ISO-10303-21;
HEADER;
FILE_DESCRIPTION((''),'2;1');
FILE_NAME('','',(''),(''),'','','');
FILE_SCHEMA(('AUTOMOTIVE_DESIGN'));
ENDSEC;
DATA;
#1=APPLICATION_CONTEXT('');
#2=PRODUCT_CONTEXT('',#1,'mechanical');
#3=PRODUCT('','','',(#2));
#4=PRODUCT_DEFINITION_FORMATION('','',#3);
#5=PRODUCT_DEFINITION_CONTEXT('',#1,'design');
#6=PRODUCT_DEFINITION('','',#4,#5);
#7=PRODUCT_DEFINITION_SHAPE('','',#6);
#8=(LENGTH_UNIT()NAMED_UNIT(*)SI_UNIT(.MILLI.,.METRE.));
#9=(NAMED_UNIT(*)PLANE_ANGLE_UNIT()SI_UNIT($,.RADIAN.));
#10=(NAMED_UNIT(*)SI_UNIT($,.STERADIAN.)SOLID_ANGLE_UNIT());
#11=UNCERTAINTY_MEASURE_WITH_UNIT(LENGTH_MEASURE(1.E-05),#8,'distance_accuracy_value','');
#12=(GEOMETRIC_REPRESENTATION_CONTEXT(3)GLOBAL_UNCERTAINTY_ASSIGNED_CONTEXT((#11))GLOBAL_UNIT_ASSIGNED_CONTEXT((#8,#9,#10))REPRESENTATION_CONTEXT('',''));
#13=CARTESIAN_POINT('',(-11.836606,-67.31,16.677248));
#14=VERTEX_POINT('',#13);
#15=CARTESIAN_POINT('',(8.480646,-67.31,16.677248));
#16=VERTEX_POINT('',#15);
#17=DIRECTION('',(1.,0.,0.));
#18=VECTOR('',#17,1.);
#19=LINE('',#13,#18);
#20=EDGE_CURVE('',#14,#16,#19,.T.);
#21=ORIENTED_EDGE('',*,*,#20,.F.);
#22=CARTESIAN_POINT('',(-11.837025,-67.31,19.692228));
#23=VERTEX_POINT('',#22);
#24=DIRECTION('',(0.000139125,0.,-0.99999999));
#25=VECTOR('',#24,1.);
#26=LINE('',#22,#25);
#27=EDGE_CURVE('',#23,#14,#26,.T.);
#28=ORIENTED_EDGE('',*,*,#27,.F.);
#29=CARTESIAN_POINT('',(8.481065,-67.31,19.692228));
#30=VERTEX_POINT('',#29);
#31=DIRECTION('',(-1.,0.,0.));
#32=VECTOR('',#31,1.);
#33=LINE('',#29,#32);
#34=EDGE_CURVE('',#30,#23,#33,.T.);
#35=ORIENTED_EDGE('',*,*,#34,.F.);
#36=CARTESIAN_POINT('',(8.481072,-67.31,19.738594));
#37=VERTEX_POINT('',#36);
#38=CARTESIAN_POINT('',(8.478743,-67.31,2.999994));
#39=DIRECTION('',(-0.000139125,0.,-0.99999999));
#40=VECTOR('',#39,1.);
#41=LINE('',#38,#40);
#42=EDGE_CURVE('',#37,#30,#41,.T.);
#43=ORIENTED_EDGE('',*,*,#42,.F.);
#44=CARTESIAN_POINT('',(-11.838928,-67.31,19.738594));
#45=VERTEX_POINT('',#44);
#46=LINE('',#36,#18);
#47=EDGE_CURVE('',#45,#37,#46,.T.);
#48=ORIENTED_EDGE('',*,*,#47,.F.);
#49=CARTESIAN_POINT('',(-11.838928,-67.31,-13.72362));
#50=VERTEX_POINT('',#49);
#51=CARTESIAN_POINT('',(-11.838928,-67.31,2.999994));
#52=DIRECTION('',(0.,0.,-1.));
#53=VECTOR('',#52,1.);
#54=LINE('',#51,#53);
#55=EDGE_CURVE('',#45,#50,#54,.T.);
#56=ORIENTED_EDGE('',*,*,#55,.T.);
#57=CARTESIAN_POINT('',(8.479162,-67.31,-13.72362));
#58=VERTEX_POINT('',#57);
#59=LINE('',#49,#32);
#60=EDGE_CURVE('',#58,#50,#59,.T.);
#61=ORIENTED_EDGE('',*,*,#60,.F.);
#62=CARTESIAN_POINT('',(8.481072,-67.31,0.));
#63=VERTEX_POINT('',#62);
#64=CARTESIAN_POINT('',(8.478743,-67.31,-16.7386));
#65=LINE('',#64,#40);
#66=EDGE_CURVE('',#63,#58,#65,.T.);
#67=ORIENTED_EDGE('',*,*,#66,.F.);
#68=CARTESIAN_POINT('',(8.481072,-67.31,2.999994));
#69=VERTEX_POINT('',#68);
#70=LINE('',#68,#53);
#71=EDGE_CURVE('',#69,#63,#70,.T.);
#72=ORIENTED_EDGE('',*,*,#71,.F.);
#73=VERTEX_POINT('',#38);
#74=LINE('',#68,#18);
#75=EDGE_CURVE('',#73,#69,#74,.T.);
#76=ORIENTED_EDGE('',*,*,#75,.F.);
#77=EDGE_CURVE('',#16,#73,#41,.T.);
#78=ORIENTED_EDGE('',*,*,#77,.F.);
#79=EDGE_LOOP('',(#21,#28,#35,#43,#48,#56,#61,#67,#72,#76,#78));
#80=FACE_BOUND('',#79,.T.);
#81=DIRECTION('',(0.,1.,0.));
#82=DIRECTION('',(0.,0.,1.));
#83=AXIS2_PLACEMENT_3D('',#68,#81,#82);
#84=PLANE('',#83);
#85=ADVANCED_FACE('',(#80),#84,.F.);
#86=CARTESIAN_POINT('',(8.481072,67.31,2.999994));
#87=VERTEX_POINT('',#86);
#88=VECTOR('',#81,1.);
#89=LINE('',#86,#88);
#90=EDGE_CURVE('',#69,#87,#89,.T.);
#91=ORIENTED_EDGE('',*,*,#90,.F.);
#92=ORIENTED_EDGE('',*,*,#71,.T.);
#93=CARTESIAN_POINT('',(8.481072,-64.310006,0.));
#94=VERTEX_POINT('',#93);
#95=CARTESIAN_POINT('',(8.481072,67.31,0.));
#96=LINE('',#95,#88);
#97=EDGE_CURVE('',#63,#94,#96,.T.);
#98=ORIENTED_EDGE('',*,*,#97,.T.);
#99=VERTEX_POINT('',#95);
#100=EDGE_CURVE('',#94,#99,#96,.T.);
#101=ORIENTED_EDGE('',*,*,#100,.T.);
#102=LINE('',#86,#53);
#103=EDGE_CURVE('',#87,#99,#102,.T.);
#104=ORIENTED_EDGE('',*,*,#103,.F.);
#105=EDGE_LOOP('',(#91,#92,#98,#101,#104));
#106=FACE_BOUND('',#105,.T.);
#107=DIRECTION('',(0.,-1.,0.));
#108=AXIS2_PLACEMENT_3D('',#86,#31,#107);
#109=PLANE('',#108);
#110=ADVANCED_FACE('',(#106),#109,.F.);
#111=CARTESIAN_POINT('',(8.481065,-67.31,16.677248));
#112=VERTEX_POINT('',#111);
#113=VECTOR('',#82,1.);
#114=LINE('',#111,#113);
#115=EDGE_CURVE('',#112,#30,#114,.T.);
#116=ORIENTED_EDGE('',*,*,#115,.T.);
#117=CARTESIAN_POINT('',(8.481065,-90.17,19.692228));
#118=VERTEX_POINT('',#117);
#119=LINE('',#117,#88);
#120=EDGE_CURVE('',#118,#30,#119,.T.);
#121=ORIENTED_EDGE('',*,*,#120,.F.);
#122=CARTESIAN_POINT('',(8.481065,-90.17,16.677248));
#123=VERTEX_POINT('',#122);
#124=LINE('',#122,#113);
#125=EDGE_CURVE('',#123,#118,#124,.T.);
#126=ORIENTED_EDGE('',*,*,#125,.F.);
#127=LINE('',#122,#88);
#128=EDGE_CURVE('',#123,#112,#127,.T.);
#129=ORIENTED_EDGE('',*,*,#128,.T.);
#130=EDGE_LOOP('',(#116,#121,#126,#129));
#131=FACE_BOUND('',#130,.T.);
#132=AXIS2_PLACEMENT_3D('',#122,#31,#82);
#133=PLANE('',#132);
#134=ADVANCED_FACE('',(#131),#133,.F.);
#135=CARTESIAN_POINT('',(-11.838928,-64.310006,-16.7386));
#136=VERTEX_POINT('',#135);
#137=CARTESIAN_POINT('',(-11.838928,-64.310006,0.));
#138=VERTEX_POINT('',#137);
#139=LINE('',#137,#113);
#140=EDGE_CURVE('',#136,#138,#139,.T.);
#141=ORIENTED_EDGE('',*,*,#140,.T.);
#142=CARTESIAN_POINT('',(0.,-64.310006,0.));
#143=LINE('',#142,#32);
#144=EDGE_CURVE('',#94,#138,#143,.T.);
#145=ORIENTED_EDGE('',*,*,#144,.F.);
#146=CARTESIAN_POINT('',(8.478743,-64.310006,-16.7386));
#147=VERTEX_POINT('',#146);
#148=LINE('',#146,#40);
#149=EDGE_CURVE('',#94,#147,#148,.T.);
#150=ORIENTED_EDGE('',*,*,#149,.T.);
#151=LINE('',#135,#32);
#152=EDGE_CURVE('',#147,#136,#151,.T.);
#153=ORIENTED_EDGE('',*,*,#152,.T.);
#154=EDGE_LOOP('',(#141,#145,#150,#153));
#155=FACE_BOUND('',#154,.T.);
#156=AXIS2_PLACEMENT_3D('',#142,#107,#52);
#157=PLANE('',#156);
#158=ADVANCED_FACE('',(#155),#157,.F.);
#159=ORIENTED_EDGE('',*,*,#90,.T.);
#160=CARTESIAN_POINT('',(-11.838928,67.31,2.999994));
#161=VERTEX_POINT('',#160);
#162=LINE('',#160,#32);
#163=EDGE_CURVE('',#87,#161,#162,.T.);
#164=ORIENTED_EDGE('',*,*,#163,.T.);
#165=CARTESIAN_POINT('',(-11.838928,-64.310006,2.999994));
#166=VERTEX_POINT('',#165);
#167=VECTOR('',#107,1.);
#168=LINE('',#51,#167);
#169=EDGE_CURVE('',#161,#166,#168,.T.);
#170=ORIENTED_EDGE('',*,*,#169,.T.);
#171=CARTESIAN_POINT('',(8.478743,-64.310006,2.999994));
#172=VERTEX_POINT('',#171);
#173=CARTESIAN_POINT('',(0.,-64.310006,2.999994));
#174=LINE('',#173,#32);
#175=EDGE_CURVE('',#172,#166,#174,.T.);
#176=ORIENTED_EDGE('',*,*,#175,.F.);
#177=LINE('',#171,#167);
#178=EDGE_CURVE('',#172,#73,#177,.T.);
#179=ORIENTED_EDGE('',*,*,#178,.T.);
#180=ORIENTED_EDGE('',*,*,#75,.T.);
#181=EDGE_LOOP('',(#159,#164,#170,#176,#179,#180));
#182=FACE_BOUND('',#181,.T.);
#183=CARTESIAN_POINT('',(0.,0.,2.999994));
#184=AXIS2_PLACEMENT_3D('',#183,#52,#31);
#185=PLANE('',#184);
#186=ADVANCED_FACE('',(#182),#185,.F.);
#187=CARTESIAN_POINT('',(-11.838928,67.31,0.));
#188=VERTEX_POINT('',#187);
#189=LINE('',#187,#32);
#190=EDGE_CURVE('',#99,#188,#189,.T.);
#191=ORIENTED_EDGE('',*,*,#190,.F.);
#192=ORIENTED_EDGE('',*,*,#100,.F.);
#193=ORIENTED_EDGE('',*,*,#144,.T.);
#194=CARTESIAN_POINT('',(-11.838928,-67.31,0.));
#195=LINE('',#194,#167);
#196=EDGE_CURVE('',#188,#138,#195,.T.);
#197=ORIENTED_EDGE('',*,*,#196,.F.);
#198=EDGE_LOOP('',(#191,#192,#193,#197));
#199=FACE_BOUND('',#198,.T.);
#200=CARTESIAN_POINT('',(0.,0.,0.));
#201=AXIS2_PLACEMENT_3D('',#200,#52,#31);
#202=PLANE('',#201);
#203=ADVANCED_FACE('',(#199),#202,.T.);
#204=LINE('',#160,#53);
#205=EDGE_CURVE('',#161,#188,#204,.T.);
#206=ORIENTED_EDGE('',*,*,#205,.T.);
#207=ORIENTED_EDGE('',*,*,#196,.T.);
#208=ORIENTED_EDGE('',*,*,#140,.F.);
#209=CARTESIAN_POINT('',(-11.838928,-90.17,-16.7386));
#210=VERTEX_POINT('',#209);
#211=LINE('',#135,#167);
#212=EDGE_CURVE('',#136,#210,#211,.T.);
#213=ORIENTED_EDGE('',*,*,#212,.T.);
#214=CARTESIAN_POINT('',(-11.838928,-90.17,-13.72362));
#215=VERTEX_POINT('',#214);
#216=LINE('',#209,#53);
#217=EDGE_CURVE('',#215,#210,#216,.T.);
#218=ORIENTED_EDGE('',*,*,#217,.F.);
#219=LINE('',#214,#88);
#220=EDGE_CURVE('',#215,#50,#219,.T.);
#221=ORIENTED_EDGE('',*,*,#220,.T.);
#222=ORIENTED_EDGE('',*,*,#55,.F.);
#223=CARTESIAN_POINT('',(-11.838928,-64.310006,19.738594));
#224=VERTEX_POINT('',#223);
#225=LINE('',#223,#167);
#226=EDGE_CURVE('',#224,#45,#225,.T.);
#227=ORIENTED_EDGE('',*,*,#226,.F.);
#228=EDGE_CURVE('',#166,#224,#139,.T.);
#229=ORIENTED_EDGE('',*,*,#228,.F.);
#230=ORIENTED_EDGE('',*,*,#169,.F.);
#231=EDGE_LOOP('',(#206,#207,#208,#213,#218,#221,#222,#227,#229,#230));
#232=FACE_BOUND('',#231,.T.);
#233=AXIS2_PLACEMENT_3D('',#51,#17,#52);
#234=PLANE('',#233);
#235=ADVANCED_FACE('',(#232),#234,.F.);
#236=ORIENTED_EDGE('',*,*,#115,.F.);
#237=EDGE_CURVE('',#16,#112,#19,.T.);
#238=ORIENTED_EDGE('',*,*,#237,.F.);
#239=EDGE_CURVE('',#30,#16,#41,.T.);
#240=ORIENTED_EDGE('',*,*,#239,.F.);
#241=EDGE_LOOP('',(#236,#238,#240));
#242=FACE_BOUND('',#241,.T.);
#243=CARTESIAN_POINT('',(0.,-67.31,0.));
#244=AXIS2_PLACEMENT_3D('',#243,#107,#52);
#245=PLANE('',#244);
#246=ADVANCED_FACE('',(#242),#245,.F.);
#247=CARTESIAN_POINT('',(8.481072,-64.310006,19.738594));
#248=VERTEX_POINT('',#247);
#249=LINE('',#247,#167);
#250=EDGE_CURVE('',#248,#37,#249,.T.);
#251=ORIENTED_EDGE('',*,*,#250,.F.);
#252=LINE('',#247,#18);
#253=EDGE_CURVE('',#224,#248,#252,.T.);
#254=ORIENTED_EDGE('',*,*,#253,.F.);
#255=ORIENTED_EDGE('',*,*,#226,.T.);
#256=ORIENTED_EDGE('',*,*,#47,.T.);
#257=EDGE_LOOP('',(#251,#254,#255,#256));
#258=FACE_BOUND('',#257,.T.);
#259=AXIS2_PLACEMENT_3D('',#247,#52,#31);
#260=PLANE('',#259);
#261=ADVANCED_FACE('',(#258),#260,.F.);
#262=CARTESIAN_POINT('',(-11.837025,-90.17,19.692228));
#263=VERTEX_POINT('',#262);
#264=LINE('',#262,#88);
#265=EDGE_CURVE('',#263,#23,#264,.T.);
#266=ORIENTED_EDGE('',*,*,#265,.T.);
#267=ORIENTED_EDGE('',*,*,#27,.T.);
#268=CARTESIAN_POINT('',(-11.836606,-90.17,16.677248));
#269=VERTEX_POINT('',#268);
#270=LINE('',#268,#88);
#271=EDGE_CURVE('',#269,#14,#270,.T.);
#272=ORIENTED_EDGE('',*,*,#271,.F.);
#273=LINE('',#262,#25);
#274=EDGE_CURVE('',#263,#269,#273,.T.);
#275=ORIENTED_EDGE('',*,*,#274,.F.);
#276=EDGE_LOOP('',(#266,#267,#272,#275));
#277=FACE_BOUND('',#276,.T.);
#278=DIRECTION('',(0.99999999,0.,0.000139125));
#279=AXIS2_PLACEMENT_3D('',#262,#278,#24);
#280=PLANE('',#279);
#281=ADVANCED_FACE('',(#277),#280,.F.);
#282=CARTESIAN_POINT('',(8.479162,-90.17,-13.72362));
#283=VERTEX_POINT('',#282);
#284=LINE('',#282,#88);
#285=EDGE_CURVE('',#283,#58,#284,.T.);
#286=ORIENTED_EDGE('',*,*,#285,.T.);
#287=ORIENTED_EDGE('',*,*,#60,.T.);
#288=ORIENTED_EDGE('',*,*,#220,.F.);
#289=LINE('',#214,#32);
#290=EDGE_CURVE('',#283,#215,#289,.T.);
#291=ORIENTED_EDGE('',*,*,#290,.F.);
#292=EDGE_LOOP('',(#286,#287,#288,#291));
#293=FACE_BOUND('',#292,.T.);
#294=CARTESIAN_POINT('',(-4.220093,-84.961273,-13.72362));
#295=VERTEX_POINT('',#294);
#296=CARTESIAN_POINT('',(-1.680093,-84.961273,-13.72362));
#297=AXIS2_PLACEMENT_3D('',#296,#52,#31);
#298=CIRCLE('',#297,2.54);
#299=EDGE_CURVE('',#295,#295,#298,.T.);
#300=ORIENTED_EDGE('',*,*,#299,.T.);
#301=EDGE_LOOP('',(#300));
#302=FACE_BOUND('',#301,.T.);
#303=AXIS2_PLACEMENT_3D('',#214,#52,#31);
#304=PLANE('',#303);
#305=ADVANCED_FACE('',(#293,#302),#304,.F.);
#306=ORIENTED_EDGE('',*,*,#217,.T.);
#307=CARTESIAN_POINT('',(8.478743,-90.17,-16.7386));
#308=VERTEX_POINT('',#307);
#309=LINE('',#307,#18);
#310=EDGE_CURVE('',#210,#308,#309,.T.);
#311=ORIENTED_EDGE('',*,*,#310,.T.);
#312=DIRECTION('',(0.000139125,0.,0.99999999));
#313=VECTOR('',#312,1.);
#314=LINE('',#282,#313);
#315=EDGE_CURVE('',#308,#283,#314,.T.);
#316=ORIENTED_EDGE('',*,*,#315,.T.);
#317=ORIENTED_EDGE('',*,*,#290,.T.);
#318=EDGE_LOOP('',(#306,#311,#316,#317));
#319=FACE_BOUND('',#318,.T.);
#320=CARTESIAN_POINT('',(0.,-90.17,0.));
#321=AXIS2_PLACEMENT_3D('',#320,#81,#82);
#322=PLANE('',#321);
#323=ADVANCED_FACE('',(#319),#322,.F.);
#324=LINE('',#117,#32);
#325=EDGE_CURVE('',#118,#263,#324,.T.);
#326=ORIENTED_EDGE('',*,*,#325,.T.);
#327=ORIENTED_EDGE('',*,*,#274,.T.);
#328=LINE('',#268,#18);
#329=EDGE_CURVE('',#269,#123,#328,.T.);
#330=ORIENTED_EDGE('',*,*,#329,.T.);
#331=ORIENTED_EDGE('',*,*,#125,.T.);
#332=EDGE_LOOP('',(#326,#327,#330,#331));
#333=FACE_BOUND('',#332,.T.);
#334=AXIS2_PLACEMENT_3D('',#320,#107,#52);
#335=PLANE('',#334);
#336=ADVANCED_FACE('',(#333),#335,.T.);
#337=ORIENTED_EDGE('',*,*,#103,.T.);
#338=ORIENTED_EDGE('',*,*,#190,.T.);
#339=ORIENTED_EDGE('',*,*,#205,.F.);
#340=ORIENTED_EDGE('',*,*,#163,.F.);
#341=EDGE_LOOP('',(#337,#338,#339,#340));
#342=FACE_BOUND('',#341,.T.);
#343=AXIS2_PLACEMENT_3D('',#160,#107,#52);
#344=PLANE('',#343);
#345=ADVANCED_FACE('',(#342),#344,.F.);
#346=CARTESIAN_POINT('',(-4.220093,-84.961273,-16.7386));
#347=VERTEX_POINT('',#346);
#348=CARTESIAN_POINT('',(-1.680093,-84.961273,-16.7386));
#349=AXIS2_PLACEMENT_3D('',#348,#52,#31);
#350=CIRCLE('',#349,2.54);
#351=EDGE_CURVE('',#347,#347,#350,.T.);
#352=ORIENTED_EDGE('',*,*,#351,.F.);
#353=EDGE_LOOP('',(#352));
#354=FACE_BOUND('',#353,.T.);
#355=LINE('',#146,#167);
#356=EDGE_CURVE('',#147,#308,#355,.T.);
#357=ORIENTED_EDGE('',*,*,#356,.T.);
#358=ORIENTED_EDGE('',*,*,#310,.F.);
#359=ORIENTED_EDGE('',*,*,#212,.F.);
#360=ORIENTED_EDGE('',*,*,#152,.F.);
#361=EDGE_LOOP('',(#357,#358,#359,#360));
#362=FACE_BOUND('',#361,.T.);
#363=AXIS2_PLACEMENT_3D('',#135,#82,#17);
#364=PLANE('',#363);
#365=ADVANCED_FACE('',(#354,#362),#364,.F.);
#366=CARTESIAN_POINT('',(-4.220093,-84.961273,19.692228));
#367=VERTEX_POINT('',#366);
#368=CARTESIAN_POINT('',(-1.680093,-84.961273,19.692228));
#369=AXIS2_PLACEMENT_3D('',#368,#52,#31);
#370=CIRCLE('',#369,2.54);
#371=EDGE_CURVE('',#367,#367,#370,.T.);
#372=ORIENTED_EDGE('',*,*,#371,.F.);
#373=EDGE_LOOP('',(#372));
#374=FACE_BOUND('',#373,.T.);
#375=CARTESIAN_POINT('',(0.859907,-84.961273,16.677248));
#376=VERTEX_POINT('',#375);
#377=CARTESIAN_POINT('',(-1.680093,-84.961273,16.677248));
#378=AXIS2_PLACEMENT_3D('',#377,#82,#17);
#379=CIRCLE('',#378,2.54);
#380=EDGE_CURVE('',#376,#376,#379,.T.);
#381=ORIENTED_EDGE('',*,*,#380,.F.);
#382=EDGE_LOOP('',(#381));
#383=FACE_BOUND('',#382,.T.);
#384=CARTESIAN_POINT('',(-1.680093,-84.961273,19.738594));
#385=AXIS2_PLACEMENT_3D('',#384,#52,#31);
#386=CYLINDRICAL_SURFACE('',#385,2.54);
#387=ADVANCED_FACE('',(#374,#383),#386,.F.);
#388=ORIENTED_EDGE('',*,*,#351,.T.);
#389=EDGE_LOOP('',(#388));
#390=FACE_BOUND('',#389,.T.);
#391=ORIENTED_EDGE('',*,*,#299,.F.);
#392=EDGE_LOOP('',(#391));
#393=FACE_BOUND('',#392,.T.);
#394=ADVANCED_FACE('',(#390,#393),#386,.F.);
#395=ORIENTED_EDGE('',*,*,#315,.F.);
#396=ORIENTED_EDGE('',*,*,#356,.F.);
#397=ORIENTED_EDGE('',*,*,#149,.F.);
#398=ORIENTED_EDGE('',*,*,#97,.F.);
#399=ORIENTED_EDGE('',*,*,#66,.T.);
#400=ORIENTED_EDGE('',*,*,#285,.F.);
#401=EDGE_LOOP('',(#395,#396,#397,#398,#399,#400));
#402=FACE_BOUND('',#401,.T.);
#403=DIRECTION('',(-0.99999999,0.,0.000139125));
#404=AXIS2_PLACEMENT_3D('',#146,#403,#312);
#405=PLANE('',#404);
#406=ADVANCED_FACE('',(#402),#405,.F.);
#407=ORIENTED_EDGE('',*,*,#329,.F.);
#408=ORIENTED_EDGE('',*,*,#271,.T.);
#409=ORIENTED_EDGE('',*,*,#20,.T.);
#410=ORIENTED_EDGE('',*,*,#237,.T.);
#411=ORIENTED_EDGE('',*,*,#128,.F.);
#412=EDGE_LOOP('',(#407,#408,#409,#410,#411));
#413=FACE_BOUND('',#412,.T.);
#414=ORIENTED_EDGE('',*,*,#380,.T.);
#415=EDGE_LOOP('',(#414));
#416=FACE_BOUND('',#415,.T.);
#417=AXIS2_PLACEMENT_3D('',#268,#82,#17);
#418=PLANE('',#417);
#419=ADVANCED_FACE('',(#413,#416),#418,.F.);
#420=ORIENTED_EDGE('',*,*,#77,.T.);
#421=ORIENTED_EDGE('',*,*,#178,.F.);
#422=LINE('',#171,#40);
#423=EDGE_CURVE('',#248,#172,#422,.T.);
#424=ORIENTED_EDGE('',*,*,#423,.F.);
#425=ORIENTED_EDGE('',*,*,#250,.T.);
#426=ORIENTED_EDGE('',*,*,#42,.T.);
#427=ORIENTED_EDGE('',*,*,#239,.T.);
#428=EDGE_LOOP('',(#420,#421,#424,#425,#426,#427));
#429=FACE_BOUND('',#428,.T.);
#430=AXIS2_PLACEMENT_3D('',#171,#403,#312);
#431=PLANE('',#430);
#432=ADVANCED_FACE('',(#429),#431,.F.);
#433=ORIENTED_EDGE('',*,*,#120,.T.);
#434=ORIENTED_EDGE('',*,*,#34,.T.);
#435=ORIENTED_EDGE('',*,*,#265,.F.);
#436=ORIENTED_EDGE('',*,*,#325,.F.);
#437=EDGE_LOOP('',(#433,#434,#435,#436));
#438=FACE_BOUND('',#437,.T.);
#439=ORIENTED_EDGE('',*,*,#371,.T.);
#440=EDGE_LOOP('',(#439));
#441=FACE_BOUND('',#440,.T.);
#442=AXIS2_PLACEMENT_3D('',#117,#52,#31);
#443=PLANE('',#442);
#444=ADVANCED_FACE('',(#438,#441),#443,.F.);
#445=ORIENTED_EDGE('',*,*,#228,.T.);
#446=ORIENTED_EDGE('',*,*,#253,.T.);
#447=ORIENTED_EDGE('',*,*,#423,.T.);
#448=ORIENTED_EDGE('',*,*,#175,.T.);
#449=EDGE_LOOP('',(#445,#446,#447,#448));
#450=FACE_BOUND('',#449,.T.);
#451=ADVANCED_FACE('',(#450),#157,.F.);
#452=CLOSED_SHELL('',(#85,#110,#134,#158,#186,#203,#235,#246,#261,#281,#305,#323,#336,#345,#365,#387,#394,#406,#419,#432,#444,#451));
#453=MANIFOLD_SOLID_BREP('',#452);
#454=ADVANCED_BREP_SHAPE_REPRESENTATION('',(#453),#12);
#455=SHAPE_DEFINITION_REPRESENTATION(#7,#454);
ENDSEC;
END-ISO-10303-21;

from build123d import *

# Parameters (mm, degrees)
SKETCH1_W           = 20.32
SKETCH1_H           = 134.62
BOSS_EXTRUDE1_DEPTH = 2.999994
BOSS_EXTRUDE2_DEPTH = 2.999994
BOSS_EXTRUDE3_DEPTH = 22.86
SKETCH4_R           = 2.54
CUT_EXTRUDE1_DEPTH  = 37.477194


with BuildPart() as part:
    # Sketch1 → Boss-Extrude1 (new body)
    with BuildSketch(Plane.XY):
        with Locations((-1.678928241, 0)):
            Rectangle(SKETCH1_W, SKETCH1_H)
    extrude(amount=BOSS_EXTRUDE1_DEPTH)

    # Sketch2 → Boss-Extrude2 (add)
    with BuildSketch(Plane(origin=(0, -67.31, 0), x_dir=(1, 0, 0), z_dir=(0, 1, 0))):
        Polygon((-11.838928241, 0), (-11.838928241, 16.7386), (8.478742997, 16.7386), (8.481071759, 0), (8.478742997, -2.999994), (8.481071759, -19.738594), (-11.838928241, -19.738594), (-11.838928241, -2.999994), align=None)
    extrude(amount=BOSS_EXTRUDE2_DEPTH)

    # Sketch3 → Boss-Extrude3 (add)
    with BuildSketch(Plane(origin=(0, -67.31, 0), x_dir=(-1, 0, 0), z_dir=(0, -1, 0))):
        Polygon((11.838928241, 16.7386), (11.838928241, 13.72362), (-8.479162457, 13.72362), (-8.478742997, 16.7386), align=None)
        Polygon((-8.481065309, -16.677248459), (-8.481065309, -19.692228459), (11.837025389, -19.692228459), (11.836605929, -16.677248459), align=None)
    extrude(amount=BOSS_EXTRUDE3_DEPTH)

    # Sketch4 → Cut-Extrude1 (cut, through all)
    with BuildSketch(Plane(origin=(0, 0, -16.7386), x_dir=(-1, 0, 0), z_dir=(0, 0, -1))):
        with Locations((1.680092622, -84.961272754)):
            Circle(SKETCH4_R)
    extrude(amount=-CUT_EXTRUDE1_DEPTH, mode=Mode.SUBTRACT)


solid = part.part
